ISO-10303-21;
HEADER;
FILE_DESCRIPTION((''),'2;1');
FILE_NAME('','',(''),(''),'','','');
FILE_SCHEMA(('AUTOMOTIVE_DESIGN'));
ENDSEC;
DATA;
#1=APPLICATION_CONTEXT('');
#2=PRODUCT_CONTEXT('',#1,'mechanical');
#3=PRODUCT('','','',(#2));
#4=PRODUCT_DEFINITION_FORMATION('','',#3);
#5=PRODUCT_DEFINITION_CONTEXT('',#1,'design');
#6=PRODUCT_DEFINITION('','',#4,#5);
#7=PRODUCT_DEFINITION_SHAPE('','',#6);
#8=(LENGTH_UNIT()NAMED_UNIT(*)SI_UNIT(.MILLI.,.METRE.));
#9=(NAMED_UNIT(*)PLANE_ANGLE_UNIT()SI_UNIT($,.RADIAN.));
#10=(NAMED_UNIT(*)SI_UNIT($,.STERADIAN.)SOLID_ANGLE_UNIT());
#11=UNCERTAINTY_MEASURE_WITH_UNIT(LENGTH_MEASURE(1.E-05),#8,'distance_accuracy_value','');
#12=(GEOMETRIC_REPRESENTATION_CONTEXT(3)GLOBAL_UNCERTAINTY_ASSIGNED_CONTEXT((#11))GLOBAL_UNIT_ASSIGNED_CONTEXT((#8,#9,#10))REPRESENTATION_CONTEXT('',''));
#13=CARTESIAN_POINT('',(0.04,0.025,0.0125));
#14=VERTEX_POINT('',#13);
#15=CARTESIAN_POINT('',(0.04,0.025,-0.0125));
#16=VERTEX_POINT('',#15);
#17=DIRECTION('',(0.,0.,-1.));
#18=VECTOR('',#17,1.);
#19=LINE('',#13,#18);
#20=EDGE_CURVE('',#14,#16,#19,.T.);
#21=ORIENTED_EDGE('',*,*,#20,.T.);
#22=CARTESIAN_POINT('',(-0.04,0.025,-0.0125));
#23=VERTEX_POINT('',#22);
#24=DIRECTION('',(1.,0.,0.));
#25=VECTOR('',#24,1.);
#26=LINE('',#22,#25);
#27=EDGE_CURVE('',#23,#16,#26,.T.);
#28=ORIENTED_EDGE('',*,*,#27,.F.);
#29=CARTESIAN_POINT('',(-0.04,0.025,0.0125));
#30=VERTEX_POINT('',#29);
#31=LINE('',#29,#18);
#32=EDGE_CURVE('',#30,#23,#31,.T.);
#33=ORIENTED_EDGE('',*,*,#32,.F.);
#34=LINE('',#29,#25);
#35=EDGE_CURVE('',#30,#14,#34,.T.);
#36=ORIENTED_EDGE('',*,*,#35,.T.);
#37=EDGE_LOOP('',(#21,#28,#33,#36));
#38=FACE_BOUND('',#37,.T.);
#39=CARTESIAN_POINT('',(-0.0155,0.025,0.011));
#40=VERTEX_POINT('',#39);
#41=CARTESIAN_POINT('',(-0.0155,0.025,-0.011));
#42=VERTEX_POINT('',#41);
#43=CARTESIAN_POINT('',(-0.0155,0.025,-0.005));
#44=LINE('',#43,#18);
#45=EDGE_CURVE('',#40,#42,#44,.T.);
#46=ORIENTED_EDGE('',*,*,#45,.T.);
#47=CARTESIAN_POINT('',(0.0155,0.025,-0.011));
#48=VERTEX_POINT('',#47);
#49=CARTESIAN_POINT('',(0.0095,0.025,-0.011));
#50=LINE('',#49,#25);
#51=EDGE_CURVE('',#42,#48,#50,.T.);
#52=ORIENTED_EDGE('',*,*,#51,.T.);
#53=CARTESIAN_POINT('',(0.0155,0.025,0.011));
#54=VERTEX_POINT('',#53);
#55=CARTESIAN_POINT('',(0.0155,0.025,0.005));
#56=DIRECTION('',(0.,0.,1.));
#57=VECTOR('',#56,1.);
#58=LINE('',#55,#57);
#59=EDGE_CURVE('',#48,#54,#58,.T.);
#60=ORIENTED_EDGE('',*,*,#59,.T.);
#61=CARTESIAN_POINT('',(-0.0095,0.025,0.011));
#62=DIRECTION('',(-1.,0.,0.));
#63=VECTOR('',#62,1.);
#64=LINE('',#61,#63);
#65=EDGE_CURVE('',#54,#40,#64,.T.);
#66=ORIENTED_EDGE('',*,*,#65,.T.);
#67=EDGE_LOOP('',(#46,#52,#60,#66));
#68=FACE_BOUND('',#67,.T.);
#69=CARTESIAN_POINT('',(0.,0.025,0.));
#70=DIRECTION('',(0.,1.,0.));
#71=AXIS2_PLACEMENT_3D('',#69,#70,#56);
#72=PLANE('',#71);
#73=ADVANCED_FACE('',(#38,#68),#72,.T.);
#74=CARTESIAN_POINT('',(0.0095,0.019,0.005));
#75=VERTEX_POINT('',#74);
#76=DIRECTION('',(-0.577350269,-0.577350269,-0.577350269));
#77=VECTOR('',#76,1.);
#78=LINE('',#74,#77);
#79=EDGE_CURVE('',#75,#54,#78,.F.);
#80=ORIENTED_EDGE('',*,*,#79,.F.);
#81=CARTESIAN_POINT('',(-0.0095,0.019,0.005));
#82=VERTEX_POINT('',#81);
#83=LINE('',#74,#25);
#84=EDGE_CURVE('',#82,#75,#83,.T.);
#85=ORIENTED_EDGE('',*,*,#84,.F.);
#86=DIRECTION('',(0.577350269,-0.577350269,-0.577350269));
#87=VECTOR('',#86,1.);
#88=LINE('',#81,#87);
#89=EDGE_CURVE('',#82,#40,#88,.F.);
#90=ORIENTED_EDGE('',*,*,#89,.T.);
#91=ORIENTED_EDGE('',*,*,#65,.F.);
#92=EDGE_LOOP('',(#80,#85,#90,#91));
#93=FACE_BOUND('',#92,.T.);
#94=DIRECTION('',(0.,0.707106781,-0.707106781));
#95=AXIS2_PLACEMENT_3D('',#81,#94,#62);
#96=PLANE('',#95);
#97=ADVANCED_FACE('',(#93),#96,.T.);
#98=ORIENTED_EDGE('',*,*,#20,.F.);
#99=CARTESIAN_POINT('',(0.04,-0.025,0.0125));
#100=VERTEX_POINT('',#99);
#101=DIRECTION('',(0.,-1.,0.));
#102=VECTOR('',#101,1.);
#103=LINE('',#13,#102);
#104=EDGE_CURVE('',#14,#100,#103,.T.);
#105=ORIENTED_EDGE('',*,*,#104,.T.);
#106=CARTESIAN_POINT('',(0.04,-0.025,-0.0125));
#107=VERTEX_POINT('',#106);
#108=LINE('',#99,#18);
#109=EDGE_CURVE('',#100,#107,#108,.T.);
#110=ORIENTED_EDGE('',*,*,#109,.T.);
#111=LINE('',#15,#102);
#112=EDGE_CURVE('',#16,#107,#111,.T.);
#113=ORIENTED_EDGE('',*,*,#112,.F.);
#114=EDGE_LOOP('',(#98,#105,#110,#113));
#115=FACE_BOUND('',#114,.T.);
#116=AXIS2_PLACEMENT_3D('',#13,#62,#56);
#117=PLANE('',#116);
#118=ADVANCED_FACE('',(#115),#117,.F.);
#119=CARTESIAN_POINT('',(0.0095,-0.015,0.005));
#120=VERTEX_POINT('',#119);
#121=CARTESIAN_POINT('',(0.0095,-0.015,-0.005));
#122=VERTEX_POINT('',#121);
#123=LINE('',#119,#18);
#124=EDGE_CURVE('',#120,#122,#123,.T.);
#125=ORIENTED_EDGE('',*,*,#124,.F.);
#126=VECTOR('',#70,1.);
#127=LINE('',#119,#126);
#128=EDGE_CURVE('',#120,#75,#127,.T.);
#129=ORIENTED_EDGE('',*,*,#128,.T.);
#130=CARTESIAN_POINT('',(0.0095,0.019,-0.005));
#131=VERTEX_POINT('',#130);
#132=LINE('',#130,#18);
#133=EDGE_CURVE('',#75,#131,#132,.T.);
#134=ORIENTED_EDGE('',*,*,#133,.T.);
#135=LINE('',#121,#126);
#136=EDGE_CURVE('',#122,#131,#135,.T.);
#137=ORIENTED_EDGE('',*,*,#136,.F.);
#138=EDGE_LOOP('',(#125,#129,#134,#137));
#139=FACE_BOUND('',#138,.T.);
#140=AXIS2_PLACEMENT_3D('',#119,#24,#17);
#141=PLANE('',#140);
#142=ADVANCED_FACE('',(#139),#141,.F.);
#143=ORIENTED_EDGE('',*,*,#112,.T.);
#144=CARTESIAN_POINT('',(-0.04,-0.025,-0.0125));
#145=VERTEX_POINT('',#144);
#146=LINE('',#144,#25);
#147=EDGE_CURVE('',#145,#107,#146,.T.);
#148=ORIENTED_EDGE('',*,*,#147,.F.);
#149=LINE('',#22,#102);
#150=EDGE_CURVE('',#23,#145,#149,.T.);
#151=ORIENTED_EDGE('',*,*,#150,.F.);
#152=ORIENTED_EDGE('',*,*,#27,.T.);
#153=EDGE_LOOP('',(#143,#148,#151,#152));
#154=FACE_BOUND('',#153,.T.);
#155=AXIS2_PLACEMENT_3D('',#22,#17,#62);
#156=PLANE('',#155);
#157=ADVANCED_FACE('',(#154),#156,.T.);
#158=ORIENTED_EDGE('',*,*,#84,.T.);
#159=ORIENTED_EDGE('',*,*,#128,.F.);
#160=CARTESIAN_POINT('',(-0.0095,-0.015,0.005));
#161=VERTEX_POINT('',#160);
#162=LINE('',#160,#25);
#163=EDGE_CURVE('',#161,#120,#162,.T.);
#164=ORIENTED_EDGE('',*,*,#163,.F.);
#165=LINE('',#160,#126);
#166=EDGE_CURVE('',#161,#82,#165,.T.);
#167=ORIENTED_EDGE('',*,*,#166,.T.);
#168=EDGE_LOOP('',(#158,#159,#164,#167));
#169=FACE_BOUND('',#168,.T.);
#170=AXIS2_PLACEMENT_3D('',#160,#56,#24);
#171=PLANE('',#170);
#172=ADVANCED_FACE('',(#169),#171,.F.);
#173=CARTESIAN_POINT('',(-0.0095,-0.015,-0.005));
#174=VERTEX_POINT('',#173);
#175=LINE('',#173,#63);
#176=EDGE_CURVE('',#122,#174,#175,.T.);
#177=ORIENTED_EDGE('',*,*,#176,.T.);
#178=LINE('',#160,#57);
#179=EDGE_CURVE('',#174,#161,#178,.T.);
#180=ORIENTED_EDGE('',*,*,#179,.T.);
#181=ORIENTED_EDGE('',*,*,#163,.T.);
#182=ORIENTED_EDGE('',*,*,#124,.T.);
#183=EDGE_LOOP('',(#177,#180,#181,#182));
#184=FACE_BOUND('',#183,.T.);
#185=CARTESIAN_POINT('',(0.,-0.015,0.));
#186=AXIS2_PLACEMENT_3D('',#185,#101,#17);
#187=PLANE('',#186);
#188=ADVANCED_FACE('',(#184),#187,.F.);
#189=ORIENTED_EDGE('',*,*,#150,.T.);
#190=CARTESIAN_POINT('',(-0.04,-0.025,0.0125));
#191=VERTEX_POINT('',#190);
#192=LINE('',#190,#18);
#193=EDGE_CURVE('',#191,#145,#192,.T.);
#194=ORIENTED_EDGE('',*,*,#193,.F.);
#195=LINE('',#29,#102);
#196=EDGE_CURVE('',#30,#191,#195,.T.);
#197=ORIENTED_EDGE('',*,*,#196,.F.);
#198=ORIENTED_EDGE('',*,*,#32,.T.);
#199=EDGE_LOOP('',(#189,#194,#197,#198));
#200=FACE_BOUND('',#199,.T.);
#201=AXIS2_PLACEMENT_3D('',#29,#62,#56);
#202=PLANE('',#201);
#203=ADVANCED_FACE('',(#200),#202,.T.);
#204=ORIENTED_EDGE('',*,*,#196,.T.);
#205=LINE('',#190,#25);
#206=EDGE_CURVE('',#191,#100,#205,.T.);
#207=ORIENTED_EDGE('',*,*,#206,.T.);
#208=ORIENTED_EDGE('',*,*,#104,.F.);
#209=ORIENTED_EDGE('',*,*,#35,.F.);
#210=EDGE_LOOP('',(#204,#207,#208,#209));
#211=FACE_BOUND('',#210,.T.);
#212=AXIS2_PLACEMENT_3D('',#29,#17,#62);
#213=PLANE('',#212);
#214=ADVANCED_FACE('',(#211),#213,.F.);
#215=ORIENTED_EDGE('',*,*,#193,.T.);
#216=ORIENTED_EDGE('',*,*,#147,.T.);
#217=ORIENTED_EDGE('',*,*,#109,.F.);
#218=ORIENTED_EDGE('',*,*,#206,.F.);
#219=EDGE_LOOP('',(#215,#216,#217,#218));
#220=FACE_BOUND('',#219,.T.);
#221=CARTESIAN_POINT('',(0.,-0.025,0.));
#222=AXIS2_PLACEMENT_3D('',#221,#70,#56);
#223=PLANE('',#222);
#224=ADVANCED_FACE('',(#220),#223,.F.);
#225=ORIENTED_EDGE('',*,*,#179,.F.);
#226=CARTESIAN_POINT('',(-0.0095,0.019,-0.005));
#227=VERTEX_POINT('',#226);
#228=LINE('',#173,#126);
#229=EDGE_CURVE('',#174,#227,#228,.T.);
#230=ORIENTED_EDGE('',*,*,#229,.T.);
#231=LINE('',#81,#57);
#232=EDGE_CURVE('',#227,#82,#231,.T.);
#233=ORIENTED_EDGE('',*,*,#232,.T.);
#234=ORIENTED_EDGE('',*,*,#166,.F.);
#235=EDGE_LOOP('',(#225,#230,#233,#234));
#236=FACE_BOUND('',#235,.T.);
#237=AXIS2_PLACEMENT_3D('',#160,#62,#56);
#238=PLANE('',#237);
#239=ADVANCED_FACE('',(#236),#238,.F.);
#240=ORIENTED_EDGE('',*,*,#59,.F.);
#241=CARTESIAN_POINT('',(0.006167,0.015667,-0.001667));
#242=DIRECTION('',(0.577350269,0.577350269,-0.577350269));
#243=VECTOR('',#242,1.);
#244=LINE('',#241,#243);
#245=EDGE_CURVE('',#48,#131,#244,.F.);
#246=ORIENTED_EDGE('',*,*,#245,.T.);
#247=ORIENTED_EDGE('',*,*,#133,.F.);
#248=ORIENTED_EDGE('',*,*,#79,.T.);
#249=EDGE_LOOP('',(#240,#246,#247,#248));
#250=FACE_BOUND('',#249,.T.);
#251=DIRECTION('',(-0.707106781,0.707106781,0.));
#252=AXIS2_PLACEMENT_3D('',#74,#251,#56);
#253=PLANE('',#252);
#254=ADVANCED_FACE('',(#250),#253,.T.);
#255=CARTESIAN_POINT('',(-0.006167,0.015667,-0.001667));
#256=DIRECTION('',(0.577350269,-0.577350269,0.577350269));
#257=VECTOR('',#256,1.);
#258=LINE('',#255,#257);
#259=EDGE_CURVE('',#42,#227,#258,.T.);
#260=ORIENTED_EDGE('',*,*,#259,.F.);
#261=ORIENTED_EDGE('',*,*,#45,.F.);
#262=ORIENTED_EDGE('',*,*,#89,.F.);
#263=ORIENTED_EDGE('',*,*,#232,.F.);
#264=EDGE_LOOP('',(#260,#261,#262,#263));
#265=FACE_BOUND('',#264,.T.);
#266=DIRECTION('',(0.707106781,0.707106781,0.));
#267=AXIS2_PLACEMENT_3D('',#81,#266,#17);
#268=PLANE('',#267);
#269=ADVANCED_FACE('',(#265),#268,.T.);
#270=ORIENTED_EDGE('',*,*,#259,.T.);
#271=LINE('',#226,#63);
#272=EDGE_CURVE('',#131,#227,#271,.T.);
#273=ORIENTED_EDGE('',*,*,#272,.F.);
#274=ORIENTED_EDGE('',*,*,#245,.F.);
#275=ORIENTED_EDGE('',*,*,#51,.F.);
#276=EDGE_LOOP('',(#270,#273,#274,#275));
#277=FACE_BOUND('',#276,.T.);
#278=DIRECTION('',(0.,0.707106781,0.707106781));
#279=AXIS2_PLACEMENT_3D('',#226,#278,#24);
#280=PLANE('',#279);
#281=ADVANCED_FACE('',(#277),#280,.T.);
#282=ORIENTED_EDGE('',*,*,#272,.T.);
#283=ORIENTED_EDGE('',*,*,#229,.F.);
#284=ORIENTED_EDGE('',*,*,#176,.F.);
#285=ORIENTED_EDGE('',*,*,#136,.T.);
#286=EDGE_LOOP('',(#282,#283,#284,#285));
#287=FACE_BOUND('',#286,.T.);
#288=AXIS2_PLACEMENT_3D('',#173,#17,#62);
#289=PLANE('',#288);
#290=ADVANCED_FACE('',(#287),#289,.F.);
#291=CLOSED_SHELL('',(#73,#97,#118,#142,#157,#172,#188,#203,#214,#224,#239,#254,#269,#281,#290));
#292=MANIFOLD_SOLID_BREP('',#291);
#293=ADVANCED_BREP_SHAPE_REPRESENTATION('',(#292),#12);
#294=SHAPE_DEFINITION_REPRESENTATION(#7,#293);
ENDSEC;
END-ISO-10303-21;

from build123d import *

# Parameters (mm, degrees)
SKETCH1_W           = 0.08
SKETCH1_H           = 0.025
BOSS_EXTRUDE1_DEPTH = 0.025
SKETCH2_W           = 0.019
SKETCH2_H           = 0.01
CUT_EXTRUDE1_DEPTH  = 0.04
CHAMFER1_SIZE       = 0.006


with BuildPart() as part:
    # Sketch1 → Boss-Extrude1 (new, symmetric)
    with BuildSketch(Plane(origin=(0, 0, 0), x_dir=(1, 0, 0), z_dir=(0, 1, 0))):
        Rectangle(SKETCH1_W, SKETCH1_H)
    extrude(amount=BOSS_EXTRUDE1_DEPTH, both=True)

    # Sketch2 → Cut-Extrude1 (cut)
    with BuildSketch(Plane(origin=(0, 0.025, 0), x_dir=(1, 0, 0), z_dir=(0, 1, 0))):
        Rectangle(SKETCH2_W, SKETCH2_H)
    extrude(amount=-CUT_EXTRUDE1_DEPTH, mode=Mode.SUBTRACT)

    # Chamfer1
    chamfer1_edges = [part.edges().sort_by_distance(p)[0] for p in [
        (0.0095, 0.025, 0),
        (0, 0.025, -0.005),
        (-0.0095, 0.025, 0),
        (0, 0.025, 0.005),
    ]]
    chamfer(chamfer1_edges, length=CHAMFER1_SIZE)


solid = part.part
